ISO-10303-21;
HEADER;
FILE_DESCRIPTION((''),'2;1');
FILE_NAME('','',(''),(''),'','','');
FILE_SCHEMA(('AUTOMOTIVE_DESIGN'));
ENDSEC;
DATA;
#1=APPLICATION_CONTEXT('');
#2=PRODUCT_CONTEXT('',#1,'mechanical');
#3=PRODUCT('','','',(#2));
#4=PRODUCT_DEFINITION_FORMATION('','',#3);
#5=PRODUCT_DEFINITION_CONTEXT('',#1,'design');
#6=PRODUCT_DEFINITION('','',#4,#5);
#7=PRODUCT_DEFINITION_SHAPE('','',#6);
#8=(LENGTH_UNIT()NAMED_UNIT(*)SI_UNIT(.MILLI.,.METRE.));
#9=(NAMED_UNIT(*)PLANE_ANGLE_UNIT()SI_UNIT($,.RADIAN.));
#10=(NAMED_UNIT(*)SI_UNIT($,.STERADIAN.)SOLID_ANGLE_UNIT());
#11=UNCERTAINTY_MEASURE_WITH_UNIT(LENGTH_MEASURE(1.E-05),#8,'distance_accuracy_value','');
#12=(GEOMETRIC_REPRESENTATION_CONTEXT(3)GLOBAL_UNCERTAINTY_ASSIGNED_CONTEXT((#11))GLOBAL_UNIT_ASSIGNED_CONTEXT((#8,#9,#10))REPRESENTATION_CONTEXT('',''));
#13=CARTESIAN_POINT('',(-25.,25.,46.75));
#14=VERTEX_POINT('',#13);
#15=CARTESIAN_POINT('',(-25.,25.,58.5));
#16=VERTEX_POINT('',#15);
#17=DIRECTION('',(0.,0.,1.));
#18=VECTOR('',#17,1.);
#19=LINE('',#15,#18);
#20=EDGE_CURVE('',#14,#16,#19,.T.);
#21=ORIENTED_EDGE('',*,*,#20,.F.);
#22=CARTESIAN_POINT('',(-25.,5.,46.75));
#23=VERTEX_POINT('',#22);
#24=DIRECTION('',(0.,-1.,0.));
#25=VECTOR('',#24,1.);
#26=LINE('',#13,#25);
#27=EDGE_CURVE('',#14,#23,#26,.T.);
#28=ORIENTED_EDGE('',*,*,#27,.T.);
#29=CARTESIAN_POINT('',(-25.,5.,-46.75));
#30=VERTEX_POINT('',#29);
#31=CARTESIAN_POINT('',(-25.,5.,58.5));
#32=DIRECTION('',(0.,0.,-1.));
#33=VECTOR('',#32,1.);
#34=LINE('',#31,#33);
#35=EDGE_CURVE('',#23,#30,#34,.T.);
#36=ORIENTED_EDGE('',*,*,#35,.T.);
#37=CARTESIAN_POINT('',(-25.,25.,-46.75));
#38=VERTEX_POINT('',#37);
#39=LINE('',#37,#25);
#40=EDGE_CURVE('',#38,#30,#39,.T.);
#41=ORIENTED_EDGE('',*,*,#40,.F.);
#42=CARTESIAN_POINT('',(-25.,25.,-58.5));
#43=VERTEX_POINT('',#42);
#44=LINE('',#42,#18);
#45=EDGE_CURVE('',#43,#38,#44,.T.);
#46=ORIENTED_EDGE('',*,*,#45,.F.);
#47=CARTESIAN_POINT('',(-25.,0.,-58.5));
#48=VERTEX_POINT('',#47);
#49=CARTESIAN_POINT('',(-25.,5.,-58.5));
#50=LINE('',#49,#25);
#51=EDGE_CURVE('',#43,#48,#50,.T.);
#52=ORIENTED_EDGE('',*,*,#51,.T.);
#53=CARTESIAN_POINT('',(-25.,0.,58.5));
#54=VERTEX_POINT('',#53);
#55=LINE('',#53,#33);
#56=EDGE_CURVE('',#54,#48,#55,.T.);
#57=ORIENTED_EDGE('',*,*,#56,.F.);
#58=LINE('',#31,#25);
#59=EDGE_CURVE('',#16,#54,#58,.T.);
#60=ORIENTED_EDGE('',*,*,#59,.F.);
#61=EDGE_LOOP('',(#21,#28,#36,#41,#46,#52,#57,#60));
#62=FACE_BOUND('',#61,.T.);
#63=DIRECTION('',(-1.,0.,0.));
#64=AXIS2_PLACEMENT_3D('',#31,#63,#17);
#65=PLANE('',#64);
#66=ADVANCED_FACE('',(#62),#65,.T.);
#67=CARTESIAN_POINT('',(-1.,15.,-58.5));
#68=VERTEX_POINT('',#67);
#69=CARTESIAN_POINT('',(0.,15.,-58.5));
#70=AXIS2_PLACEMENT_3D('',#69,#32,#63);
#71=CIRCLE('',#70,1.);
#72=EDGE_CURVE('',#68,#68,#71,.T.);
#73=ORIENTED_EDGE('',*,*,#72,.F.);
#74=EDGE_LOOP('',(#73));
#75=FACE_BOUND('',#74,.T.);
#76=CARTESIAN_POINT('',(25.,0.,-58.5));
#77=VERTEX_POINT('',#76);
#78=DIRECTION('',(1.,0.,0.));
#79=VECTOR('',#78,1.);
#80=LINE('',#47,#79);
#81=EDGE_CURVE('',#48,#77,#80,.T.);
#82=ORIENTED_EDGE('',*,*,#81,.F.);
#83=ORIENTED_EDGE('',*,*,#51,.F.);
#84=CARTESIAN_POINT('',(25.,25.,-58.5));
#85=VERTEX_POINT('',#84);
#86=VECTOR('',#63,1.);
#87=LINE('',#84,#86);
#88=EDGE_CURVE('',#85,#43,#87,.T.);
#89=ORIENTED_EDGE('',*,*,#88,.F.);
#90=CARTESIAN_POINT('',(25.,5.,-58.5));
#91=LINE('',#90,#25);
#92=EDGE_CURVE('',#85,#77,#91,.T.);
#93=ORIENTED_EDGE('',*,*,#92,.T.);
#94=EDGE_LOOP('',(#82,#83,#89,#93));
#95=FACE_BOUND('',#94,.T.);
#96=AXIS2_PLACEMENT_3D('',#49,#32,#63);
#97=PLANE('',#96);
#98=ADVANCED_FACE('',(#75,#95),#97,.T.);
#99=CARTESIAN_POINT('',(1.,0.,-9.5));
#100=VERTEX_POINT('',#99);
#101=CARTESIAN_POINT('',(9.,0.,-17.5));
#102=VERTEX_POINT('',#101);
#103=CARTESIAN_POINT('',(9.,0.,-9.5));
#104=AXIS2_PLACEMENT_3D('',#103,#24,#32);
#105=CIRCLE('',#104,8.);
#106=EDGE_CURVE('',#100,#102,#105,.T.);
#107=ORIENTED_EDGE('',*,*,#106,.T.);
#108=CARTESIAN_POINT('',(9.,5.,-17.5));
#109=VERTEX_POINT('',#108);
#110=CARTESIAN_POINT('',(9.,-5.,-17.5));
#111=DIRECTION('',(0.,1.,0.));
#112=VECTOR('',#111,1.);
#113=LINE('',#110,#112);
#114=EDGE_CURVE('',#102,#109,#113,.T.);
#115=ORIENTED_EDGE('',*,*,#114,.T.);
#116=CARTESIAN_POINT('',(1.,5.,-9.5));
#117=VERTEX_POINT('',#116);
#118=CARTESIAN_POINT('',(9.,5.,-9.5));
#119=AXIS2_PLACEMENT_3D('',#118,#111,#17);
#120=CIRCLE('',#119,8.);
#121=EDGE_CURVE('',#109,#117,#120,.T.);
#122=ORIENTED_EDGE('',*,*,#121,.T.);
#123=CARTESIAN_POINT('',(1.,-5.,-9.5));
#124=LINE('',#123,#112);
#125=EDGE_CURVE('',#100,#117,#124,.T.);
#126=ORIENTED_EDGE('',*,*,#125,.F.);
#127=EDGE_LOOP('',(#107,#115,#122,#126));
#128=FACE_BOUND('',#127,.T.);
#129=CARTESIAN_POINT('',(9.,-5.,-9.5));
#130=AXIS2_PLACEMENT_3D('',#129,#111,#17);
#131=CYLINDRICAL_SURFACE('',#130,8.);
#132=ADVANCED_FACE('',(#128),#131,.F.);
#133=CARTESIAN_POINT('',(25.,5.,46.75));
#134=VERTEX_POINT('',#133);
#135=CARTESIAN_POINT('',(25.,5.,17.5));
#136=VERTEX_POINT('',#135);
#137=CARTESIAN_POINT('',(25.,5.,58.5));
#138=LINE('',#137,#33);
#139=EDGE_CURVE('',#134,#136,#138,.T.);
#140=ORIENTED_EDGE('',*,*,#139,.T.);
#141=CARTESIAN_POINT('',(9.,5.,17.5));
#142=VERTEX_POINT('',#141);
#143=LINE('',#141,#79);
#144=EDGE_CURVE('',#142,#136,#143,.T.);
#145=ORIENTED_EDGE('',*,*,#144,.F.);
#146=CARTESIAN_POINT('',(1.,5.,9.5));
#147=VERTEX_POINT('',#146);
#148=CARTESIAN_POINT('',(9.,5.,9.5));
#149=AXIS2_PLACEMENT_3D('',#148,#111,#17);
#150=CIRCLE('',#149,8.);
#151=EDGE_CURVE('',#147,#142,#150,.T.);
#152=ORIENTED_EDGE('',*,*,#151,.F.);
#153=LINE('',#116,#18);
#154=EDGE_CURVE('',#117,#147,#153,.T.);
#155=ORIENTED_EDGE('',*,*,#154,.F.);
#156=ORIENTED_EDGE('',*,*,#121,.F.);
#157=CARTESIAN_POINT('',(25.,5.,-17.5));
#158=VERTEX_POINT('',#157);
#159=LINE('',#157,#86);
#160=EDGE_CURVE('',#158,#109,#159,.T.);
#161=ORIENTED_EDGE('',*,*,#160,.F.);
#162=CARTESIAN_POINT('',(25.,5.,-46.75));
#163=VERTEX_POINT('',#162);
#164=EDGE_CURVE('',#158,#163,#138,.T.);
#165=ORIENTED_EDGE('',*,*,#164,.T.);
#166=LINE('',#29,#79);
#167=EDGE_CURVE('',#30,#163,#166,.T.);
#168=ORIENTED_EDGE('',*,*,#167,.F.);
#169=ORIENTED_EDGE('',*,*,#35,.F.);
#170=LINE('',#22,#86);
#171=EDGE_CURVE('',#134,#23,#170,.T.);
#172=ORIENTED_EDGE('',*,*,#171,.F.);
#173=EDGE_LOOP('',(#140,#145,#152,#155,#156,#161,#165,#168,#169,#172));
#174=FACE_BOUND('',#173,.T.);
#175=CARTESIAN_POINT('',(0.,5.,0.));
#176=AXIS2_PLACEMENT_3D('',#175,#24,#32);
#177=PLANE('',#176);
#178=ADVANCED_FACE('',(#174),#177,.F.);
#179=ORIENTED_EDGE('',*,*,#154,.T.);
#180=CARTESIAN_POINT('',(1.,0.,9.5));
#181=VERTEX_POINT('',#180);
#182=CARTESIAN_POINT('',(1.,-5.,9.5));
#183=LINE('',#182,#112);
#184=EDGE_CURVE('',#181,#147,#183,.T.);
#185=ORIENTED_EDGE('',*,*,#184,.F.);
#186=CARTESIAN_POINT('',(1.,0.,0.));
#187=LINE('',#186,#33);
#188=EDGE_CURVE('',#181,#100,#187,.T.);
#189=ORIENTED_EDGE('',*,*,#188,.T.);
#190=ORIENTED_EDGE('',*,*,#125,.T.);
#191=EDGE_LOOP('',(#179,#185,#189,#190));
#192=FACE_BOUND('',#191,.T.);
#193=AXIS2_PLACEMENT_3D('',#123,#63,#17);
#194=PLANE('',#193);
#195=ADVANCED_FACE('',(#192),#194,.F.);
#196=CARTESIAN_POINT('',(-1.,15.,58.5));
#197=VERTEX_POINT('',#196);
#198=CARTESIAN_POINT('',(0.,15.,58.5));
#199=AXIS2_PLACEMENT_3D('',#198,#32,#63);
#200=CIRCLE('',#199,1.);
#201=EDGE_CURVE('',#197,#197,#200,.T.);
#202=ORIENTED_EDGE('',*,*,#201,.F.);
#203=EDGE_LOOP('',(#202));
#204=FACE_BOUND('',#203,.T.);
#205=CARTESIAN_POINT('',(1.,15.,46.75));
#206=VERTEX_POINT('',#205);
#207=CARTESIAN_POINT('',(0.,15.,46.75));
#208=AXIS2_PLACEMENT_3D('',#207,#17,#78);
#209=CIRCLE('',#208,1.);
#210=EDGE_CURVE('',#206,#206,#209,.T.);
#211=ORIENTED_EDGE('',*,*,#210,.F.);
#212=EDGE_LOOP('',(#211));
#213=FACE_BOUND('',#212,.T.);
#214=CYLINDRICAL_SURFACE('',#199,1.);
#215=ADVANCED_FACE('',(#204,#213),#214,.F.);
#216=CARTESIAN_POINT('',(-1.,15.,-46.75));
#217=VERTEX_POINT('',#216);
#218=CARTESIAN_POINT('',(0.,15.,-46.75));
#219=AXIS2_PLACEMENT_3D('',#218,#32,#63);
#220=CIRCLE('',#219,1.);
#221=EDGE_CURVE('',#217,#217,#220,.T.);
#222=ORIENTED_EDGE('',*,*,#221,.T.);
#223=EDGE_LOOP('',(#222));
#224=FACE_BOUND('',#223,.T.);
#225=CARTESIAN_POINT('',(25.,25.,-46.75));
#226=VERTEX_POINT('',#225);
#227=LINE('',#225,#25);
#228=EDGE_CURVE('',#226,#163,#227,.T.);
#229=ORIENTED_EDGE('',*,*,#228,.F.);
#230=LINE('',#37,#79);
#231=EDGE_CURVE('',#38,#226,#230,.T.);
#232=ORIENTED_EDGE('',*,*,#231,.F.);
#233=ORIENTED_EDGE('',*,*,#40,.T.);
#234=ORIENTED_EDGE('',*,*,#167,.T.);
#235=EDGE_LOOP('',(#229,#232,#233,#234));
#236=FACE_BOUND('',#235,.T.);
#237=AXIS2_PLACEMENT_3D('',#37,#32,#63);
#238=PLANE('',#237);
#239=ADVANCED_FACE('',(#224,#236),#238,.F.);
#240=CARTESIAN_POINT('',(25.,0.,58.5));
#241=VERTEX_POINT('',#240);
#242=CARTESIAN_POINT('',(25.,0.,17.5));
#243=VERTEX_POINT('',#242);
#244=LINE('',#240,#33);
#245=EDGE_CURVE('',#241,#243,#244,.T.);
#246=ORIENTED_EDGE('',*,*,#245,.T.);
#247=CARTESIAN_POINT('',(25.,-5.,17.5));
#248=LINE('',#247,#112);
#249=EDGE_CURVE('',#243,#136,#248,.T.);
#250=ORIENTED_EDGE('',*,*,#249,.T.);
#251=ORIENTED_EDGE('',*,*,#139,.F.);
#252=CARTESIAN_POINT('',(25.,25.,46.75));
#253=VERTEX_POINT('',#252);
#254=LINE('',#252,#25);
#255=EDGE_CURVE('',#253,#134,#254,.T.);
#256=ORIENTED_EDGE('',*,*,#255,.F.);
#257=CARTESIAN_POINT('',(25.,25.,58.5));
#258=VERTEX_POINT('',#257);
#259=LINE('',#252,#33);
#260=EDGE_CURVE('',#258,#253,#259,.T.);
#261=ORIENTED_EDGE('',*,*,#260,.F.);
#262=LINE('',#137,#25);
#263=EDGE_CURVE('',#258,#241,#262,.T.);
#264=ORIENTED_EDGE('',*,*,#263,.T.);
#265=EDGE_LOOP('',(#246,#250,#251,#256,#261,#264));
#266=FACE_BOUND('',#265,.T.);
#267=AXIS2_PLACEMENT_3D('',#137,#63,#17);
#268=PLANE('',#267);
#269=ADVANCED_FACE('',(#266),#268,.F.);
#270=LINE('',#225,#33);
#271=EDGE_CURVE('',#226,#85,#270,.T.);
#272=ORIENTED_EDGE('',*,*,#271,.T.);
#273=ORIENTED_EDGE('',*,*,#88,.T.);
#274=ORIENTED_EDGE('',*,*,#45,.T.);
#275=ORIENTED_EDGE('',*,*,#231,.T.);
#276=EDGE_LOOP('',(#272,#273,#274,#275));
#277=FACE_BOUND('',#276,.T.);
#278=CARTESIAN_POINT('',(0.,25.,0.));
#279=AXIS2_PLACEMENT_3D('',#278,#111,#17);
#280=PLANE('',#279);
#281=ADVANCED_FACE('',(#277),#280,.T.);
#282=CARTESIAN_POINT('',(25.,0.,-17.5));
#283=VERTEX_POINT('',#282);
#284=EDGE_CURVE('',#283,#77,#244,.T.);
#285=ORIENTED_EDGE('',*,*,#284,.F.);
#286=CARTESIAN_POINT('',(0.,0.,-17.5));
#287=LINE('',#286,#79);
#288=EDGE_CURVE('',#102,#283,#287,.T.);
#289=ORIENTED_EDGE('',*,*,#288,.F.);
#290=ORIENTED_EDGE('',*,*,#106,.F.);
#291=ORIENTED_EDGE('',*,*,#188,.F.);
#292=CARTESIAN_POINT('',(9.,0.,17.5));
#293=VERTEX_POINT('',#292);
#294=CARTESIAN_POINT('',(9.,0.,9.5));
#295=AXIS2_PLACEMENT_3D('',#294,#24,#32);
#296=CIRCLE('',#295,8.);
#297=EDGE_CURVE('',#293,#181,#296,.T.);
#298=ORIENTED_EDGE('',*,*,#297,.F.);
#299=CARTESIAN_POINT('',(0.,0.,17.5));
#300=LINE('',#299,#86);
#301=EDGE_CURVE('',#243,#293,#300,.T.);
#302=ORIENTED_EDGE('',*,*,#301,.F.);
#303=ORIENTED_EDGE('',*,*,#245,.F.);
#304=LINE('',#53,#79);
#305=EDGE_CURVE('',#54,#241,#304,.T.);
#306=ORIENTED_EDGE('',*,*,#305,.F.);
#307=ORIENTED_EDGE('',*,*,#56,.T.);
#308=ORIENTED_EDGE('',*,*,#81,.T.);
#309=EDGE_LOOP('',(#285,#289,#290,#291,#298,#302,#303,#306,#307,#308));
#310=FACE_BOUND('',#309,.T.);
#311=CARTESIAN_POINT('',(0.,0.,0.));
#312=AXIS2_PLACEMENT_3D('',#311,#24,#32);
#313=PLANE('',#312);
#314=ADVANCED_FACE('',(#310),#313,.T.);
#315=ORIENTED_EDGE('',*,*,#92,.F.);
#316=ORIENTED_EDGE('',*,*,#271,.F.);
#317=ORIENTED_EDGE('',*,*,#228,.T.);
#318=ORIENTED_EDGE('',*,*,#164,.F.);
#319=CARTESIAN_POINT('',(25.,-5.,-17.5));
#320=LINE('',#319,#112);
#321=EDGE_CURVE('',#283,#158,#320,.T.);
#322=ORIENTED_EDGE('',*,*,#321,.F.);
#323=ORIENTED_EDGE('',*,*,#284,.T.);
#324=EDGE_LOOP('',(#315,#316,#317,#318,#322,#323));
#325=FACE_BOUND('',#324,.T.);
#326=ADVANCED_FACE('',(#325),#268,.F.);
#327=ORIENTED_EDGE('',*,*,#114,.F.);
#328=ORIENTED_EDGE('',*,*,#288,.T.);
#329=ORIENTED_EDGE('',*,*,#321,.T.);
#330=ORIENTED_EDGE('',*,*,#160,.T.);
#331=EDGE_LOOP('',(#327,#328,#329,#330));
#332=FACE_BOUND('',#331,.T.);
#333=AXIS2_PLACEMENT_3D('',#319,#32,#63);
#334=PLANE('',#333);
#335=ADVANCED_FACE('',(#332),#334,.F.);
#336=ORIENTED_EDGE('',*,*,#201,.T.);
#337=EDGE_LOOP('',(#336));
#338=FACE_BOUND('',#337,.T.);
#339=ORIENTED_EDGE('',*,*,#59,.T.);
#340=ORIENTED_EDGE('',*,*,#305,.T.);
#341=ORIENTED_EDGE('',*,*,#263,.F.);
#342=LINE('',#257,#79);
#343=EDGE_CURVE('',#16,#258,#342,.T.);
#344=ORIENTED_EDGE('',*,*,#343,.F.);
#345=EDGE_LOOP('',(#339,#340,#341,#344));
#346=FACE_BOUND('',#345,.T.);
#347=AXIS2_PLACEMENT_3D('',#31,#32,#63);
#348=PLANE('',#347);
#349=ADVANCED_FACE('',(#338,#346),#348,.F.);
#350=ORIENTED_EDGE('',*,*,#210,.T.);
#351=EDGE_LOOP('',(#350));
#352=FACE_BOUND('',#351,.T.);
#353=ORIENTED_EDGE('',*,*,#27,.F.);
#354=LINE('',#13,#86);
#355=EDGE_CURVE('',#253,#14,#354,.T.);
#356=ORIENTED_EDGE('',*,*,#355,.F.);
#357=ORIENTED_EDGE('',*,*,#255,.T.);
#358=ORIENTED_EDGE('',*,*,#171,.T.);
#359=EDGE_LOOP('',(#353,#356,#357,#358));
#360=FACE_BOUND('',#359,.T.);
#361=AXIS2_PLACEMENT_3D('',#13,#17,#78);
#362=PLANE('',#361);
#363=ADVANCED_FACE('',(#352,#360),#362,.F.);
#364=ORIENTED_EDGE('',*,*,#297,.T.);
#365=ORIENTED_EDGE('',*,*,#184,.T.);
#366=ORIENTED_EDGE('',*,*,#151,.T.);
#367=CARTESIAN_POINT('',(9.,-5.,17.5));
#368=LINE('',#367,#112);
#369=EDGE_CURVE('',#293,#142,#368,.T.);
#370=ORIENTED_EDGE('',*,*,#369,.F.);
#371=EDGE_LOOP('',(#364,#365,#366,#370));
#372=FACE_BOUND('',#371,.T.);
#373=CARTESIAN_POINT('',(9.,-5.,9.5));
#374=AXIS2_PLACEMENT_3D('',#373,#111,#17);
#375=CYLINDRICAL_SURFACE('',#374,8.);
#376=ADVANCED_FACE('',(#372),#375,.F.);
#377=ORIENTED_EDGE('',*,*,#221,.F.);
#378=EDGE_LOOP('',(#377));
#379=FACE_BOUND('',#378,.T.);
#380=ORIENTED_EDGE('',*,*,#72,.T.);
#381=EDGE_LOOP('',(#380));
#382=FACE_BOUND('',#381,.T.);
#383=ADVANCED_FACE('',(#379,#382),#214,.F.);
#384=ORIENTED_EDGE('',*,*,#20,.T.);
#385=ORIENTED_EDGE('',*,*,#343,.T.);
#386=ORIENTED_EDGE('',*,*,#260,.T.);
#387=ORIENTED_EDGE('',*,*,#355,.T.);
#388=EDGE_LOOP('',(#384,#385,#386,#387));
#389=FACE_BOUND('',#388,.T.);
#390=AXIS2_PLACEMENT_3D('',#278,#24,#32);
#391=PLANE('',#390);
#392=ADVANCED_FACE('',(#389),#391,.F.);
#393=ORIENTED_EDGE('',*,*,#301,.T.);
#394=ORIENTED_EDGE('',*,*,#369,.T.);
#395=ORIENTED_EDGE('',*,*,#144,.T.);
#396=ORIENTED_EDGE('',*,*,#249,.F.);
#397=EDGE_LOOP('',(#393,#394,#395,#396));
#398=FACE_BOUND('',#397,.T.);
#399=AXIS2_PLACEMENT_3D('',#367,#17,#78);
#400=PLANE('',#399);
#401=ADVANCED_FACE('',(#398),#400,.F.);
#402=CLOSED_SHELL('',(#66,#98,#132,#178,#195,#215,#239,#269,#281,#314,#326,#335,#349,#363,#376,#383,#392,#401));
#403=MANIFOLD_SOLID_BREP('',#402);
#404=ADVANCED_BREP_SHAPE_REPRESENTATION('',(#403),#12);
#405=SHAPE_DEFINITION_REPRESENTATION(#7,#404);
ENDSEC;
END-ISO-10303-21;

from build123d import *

# Parameters (mm, degrees)
CROQUIS1_W              = 50
CROQUIS1_H              = 117
SALIENTE_EXTRUIR1_DEPTH = 5
CROQUIS2_W              = 50
CROQUIS2_H              = 11.75
SALIENTE_EXTRUIR2_DEPTH = 20
CORTAR_EXTRUIR1_DEPTH   = 10
CROQUIS5_R              = 1
CORTAR_EXTRUIR3_DEPTH   = 118


with BuildPart() as part:
    # Croquis1 → Saliente-Extruir1 (new body)
    with BuildSketch(Plane(origin=(0, 0, 0), x_dir=(1, 0, 0), z_dir=(0, 1, 0))):
        Rectangle(CROQUIS1_W, CROQUIS1_H)
    extrude(amount=SALIENTE_EXTRUIR1_DEPTH)

    # Croquis2 → Saliente-Extruir2 (add)
    with BuildSketch(Plane(origin=(0, 5, 0), x_dir=(1, 0, 0), z_dir=(0, 1, 0))):
        with Locations((0, 52.625)):
            Rectangle(CROQUIS2_W, CROQUIS2_H)
        with Locations((0, -52.625)):
            Rectangle(CROQUIS2_W, CROQUIS2_H)
    extrude(amount=SALIENTE_EXTRUIR2_DEPTH)

    # Croquis3 → Cortar-Extruir1 (cut)
    with BuildSketch(Plane(origin=(0, 5, 0), x_dir=(1, 0, 0), z_dir=(0, 1, 0))):
        with BuildLine():
            Line((25, 17.5), (9, 17.5))
            ThreePointArc((9, 17.5), (3.343145751, 15.156854249), (1, 9.5))
            Line((1, 9.5), (1, -9.5))
            ThreePointArc((1, -9.5), (3.343145751, -15.156854249), (9, -17.5))
            Line((9, -17.5), (25, -17.5))
            Line((25, -17.5), (25, 17.5))
        make_face()
    extrude(amount=-CORTAR_EXTRUIR1_DEPTH, mode=Mode.SUBTRACT)

    # Croquis5 → Cortar-Extruir3 (cut, through all)
    with BuildSketch(Plane(origin=(0, 0, -58.5), x_dir=(-1, 0, 0), z_dir=(0, 0, -1))):
        with Locations((0, 15)):
            Circle(CROQUIS5_R)
    extrude(amount=-CORTAR_EXTRUIR3_DEPTH, mode=Mode.SUBTRACT)


solid = part.part
